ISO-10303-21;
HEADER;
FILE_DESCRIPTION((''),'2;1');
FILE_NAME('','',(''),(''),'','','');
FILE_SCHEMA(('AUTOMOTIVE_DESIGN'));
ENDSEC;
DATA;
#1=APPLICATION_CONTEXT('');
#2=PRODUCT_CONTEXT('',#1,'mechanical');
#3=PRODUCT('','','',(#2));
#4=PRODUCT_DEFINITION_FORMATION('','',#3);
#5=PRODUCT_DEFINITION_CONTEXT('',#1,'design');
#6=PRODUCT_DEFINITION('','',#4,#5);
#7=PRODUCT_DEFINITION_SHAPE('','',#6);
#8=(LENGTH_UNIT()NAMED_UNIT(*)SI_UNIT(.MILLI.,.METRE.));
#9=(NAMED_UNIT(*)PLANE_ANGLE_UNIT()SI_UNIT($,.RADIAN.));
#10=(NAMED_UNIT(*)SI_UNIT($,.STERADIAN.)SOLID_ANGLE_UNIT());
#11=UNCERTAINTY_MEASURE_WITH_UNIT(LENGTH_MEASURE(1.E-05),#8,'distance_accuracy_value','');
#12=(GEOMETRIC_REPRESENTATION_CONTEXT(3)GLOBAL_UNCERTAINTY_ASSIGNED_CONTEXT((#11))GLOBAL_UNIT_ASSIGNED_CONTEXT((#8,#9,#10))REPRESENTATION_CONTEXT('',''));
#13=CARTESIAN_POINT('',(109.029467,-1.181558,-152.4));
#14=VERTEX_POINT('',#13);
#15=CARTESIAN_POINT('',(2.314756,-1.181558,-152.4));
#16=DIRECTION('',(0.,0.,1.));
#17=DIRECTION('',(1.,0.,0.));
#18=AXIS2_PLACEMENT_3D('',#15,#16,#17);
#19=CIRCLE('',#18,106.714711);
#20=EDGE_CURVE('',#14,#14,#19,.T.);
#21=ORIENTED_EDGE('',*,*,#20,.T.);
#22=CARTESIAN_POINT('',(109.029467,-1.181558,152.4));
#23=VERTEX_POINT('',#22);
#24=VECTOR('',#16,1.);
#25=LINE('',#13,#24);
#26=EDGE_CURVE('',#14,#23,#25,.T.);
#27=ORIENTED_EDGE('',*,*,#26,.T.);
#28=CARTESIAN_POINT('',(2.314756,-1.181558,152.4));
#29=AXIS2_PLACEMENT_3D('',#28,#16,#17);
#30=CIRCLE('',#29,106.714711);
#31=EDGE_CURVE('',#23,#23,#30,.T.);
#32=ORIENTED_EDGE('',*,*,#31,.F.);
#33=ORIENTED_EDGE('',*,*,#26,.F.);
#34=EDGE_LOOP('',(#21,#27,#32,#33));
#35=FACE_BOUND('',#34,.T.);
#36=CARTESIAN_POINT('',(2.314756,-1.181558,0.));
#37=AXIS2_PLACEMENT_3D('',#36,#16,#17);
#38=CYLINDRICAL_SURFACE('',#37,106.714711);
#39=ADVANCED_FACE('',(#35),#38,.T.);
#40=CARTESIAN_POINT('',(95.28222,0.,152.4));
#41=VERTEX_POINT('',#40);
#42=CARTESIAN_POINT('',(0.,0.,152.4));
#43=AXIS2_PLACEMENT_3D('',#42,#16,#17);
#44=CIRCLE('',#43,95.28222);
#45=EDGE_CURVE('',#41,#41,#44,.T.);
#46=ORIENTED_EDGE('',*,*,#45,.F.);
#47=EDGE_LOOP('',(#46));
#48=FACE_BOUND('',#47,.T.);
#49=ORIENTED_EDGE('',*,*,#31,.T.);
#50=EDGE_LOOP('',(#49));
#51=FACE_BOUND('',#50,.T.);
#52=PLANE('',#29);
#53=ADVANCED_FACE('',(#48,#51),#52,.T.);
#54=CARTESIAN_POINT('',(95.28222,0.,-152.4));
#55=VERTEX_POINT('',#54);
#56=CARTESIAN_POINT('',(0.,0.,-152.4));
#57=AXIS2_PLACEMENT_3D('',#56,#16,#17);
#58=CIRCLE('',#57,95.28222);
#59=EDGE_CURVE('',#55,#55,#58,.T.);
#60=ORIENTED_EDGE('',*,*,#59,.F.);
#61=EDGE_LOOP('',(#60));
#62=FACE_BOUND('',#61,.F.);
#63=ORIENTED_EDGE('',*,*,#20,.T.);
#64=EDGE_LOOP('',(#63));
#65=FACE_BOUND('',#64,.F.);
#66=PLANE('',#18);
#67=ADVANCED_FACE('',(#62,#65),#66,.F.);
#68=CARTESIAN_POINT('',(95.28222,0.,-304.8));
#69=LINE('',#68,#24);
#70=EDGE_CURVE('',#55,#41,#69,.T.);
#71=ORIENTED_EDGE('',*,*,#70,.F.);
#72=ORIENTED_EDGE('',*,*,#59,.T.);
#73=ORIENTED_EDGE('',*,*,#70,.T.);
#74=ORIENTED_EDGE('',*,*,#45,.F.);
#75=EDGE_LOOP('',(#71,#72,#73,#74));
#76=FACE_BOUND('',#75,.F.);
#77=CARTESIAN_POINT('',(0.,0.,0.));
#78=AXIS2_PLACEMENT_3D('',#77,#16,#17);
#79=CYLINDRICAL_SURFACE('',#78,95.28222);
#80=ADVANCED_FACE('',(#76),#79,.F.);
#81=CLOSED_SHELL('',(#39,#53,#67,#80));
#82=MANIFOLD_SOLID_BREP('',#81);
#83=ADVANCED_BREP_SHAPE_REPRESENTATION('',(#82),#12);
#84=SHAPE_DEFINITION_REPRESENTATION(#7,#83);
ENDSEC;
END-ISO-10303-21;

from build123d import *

# Parameters (mm, degrees)
F0_R     = 106.714711
F1_DEPTH = 152.4
F2_R     = 95.28222
F3_DEPTH = 304.8


with BuildPart() as f1:
    # F0 (on Top) → F1 (new body, symmetric)
    with BuildSketch(Plane.XY):
        with Locations((2.314756, -1.181558)):
            Circle(F0_R)
    extrude(amount=F1_DEPTH, both=True)

    # F2 (on Top) → F3 (cut, symmetric)
    with BuildSketch(Plane.XY):
        Circle(F2_R)
    extrude(amount=F3_DEPTH, both=True, mode=Mode.SUBTRACT)


solid = f1.part
